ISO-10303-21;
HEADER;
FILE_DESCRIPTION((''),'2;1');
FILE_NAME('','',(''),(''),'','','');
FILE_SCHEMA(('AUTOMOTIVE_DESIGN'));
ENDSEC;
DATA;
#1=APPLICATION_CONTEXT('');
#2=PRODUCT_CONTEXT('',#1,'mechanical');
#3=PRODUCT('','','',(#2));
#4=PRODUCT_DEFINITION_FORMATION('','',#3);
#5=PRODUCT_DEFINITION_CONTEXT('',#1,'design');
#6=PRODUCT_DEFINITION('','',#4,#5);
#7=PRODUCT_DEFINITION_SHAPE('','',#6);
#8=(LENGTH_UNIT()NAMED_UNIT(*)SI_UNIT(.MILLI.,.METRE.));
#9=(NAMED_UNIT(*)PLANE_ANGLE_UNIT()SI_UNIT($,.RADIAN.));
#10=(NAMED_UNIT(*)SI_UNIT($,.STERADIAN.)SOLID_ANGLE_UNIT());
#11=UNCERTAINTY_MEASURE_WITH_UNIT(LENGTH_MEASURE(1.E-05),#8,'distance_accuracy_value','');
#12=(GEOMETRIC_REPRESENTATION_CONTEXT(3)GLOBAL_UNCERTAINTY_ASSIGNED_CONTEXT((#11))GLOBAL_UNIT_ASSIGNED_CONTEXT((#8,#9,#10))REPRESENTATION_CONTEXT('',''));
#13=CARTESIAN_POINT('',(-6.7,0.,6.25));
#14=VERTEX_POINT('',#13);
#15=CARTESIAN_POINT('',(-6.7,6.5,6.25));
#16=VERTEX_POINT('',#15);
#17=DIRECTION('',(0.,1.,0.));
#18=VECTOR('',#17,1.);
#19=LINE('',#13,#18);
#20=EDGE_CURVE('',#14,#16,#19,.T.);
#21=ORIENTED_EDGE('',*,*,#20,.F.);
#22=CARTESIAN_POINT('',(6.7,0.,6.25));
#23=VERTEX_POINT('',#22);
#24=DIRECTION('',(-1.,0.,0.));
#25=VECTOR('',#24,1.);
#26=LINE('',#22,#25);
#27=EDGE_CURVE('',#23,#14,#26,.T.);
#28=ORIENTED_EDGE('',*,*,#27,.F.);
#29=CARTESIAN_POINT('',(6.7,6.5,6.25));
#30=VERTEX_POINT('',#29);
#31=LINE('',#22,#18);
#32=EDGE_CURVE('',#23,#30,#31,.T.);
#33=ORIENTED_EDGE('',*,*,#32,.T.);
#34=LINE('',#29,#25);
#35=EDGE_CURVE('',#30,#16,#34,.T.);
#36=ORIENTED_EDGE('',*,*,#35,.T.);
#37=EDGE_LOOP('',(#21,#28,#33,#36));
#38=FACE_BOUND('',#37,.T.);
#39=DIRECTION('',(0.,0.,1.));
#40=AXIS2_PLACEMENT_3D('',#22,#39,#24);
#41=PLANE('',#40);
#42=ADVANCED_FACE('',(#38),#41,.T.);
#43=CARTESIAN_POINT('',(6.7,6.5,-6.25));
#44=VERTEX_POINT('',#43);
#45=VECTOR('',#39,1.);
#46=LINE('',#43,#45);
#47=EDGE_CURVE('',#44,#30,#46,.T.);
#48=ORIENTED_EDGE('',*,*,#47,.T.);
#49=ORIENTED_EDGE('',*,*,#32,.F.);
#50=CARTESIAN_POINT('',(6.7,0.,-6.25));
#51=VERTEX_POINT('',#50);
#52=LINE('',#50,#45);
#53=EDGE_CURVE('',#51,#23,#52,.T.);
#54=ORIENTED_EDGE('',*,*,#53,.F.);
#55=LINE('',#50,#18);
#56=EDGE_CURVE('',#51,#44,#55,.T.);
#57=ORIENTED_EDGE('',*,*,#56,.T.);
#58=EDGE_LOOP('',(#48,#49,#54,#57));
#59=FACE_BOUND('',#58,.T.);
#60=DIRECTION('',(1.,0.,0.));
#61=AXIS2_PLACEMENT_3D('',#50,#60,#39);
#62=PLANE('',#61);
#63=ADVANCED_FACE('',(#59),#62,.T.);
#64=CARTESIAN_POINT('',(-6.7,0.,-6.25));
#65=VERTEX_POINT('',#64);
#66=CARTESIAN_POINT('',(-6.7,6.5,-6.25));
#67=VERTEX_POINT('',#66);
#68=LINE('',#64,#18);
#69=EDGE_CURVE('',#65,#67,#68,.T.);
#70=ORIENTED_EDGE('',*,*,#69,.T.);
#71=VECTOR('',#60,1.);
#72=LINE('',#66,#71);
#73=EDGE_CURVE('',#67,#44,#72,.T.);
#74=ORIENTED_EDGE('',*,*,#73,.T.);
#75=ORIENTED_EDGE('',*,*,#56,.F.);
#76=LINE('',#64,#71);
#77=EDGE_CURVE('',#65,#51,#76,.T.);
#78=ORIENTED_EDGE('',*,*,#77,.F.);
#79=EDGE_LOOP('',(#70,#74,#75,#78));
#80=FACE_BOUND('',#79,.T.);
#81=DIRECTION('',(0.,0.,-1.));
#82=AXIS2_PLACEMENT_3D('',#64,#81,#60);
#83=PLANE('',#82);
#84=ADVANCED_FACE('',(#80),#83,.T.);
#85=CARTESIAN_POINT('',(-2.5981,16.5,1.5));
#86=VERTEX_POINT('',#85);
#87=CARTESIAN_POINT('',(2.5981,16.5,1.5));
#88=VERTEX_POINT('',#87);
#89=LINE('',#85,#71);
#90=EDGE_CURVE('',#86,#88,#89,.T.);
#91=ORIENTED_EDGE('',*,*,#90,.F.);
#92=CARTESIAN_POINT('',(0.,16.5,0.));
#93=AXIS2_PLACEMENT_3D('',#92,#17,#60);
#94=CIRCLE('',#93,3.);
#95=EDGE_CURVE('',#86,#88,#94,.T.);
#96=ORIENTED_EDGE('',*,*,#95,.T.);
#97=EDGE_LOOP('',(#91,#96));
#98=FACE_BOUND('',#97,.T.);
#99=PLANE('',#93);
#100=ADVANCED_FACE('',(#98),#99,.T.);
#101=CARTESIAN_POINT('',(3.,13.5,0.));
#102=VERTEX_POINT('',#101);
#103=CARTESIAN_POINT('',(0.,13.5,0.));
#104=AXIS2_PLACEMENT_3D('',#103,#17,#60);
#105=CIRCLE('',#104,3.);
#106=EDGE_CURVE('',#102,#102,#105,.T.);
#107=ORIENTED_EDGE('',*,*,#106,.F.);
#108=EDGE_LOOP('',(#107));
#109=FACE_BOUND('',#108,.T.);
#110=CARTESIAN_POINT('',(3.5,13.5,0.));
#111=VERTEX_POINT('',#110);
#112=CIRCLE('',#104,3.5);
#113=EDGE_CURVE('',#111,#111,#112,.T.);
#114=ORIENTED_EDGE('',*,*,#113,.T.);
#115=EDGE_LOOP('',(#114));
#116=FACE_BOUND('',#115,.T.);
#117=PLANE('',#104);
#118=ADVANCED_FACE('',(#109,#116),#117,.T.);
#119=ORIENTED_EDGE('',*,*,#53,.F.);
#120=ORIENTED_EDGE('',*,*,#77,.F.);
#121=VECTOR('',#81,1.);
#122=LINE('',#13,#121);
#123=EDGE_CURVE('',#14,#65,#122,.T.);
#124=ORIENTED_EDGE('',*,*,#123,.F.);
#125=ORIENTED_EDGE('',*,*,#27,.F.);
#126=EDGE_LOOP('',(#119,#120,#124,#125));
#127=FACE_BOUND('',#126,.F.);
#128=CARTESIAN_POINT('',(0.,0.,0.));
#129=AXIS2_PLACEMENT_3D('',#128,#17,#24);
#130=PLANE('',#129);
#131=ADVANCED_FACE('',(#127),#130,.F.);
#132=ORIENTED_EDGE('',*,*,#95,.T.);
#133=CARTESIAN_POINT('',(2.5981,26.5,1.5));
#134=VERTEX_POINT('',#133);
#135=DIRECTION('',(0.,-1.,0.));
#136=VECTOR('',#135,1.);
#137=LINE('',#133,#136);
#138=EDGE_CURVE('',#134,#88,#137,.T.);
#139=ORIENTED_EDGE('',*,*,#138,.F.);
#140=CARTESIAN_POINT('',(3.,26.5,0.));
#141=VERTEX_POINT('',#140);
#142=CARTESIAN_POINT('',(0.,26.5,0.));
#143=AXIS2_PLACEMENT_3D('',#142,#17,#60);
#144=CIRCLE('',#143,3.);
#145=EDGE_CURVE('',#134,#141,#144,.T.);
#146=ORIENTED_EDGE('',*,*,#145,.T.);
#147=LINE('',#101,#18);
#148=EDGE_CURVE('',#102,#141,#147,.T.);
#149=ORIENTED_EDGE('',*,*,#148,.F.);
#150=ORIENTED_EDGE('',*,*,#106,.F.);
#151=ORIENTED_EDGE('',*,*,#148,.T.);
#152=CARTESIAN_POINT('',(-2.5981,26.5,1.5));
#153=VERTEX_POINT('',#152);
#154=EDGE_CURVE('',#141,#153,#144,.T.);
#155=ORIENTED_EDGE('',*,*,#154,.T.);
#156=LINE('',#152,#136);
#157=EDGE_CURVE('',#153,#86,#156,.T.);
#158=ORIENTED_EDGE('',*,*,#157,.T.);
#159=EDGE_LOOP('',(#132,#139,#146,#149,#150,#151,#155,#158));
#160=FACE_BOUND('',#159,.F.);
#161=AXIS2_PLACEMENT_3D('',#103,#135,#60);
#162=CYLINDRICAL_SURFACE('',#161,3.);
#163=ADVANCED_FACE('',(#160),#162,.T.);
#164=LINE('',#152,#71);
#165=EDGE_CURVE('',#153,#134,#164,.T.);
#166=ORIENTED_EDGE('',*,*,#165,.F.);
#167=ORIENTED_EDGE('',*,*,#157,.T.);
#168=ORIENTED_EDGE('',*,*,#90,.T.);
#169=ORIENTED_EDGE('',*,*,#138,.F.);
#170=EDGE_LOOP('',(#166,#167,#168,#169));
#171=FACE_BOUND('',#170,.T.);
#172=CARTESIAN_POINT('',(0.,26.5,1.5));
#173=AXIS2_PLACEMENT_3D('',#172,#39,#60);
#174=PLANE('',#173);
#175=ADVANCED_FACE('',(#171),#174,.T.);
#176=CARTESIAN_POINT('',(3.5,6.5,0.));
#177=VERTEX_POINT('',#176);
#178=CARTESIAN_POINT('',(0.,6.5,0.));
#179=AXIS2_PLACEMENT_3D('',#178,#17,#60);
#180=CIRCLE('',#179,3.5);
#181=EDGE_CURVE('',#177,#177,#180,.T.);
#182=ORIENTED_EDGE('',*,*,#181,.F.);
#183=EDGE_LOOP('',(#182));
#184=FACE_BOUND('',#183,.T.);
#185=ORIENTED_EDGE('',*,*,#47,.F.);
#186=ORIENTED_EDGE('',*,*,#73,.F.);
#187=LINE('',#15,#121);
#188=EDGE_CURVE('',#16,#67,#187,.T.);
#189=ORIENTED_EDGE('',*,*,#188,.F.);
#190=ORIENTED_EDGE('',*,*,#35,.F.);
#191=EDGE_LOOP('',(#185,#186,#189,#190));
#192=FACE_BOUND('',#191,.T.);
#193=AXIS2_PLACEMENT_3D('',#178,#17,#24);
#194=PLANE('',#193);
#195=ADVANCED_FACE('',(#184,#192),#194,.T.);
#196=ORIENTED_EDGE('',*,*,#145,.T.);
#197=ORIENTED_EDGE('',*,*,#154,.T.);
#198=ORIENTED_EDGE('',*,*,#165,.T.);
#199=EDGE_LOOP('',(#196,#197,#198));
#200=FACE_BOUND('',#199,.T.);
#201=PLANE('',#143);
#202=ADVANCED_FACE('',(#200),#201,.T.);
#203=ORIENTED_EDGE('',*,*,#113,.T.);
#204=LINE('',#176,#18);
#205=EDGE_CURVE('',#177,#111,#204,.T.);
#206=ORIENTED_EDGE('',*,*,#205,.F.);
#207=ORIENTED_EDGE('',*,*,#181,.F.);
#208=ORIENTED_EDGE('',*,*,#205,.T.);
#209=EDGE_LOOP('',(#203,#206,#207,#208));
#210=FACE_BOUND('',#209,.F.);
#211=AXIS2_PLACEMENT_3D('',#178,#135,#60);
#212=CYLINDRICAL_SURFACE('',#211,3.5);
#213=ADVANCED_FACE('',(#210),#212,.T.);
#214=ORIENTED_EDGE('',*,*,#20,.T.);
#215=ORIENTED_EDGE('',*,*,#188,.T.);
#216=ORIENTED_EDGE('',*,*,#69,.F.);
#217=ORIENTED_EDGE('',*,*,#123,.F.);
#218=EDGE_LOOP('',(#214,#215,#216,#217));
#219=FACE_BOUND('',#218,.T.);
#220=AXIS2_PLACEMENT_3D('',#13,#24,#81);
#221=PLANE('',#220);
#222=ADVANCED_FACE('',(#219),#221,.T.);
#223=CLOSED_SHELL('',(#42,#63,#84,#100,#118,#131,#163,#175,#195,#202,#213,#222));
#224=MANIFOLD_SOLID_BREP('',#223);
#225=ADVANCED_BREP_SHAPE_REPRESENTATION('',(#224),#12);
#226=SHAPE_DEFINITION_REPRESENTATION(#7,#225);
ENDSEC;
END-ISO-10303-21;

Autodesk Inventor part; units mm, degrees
ref_plane "YZ Plane" through (0, 0, 0) normal (1, 0, 0) x (0, 1, 0)
ref_plane "XZ Plane" through (0, 0, 0) normal (0, 1, 0) x (-1, 0, 0)
ref_plane "XY Plane" through (0, 0, 0) normal (0, 0, 1) x (1, 0, 0)
sketch "Sketch1" plane through (0, 0, 0) normal (0, 1, 0) x (-1, 0, 0)
  line L0 (-6.7, 6.25) -> (6.7, 6.25)
  line L1 (6.7, 6.25) -> (6.7, -6.25)
  line L2 (6.7, -6.25) -> (-6.7, -6.25)
  line L3 (-6.7, -6.25) -> (-6.7, 6.25)
  line L4 (-6.7, 6.25) -> (6.7, -6.25) construction
  line L5 (6.7, 6.25) -> (-6.7, -6.25) construction
  point P0 (0, 0)
  dimension "d0" = 13.4
  dimension "d1" = 12.5
extrude "Extrusion1" add sketch "Sketch1" along normal blind 6.5
sketch "Sketch2" plane through (0, 6.5, 0) normal (0, 1, 0) x (1, 0, 0)
  circle A0 centre (0, 0) radius 3.5
  dimension "d4" = 7
extrude "Extrusion2" add sketch "Sketch2" along normal blind 7
sketch "Sketch3" plane through (0, 13.5, 0) normal (0, 1, 0) x (1, 0, 0)
  circle A0 centre (0, 0) radius 3
  dimension "d7" = 6
extrude "Extrusion3" add sketch "Sketch3" along normal blind 13
sketch "Sketch4" plane through (0, 26.5, 0) normal (0, 1, 0) x (1, 0, 0)
  line L0 (0, -1.5) -> (2.5981, -1.5)
  circle A0 centre (0, 0) radius 3 projected
  line L1 (0, -1.5) -> (-2.5981, -1.5)
  arc A1 (-2.5981, -1.5) -> (2.5981, -1.5) centre (0, 0) ccw
  dimension "d10" = 1.5
extrude "Extrusion4" cut sketch "Sketch4" against normal blind 10 contours L0 A0 L1 picked at (-1.5934, -1.6862)
thread "Thread1" size "M7x1" class "6g" standard "ISO Metric profile" full length
properties part number "PEC11R-4215F-S0024"
